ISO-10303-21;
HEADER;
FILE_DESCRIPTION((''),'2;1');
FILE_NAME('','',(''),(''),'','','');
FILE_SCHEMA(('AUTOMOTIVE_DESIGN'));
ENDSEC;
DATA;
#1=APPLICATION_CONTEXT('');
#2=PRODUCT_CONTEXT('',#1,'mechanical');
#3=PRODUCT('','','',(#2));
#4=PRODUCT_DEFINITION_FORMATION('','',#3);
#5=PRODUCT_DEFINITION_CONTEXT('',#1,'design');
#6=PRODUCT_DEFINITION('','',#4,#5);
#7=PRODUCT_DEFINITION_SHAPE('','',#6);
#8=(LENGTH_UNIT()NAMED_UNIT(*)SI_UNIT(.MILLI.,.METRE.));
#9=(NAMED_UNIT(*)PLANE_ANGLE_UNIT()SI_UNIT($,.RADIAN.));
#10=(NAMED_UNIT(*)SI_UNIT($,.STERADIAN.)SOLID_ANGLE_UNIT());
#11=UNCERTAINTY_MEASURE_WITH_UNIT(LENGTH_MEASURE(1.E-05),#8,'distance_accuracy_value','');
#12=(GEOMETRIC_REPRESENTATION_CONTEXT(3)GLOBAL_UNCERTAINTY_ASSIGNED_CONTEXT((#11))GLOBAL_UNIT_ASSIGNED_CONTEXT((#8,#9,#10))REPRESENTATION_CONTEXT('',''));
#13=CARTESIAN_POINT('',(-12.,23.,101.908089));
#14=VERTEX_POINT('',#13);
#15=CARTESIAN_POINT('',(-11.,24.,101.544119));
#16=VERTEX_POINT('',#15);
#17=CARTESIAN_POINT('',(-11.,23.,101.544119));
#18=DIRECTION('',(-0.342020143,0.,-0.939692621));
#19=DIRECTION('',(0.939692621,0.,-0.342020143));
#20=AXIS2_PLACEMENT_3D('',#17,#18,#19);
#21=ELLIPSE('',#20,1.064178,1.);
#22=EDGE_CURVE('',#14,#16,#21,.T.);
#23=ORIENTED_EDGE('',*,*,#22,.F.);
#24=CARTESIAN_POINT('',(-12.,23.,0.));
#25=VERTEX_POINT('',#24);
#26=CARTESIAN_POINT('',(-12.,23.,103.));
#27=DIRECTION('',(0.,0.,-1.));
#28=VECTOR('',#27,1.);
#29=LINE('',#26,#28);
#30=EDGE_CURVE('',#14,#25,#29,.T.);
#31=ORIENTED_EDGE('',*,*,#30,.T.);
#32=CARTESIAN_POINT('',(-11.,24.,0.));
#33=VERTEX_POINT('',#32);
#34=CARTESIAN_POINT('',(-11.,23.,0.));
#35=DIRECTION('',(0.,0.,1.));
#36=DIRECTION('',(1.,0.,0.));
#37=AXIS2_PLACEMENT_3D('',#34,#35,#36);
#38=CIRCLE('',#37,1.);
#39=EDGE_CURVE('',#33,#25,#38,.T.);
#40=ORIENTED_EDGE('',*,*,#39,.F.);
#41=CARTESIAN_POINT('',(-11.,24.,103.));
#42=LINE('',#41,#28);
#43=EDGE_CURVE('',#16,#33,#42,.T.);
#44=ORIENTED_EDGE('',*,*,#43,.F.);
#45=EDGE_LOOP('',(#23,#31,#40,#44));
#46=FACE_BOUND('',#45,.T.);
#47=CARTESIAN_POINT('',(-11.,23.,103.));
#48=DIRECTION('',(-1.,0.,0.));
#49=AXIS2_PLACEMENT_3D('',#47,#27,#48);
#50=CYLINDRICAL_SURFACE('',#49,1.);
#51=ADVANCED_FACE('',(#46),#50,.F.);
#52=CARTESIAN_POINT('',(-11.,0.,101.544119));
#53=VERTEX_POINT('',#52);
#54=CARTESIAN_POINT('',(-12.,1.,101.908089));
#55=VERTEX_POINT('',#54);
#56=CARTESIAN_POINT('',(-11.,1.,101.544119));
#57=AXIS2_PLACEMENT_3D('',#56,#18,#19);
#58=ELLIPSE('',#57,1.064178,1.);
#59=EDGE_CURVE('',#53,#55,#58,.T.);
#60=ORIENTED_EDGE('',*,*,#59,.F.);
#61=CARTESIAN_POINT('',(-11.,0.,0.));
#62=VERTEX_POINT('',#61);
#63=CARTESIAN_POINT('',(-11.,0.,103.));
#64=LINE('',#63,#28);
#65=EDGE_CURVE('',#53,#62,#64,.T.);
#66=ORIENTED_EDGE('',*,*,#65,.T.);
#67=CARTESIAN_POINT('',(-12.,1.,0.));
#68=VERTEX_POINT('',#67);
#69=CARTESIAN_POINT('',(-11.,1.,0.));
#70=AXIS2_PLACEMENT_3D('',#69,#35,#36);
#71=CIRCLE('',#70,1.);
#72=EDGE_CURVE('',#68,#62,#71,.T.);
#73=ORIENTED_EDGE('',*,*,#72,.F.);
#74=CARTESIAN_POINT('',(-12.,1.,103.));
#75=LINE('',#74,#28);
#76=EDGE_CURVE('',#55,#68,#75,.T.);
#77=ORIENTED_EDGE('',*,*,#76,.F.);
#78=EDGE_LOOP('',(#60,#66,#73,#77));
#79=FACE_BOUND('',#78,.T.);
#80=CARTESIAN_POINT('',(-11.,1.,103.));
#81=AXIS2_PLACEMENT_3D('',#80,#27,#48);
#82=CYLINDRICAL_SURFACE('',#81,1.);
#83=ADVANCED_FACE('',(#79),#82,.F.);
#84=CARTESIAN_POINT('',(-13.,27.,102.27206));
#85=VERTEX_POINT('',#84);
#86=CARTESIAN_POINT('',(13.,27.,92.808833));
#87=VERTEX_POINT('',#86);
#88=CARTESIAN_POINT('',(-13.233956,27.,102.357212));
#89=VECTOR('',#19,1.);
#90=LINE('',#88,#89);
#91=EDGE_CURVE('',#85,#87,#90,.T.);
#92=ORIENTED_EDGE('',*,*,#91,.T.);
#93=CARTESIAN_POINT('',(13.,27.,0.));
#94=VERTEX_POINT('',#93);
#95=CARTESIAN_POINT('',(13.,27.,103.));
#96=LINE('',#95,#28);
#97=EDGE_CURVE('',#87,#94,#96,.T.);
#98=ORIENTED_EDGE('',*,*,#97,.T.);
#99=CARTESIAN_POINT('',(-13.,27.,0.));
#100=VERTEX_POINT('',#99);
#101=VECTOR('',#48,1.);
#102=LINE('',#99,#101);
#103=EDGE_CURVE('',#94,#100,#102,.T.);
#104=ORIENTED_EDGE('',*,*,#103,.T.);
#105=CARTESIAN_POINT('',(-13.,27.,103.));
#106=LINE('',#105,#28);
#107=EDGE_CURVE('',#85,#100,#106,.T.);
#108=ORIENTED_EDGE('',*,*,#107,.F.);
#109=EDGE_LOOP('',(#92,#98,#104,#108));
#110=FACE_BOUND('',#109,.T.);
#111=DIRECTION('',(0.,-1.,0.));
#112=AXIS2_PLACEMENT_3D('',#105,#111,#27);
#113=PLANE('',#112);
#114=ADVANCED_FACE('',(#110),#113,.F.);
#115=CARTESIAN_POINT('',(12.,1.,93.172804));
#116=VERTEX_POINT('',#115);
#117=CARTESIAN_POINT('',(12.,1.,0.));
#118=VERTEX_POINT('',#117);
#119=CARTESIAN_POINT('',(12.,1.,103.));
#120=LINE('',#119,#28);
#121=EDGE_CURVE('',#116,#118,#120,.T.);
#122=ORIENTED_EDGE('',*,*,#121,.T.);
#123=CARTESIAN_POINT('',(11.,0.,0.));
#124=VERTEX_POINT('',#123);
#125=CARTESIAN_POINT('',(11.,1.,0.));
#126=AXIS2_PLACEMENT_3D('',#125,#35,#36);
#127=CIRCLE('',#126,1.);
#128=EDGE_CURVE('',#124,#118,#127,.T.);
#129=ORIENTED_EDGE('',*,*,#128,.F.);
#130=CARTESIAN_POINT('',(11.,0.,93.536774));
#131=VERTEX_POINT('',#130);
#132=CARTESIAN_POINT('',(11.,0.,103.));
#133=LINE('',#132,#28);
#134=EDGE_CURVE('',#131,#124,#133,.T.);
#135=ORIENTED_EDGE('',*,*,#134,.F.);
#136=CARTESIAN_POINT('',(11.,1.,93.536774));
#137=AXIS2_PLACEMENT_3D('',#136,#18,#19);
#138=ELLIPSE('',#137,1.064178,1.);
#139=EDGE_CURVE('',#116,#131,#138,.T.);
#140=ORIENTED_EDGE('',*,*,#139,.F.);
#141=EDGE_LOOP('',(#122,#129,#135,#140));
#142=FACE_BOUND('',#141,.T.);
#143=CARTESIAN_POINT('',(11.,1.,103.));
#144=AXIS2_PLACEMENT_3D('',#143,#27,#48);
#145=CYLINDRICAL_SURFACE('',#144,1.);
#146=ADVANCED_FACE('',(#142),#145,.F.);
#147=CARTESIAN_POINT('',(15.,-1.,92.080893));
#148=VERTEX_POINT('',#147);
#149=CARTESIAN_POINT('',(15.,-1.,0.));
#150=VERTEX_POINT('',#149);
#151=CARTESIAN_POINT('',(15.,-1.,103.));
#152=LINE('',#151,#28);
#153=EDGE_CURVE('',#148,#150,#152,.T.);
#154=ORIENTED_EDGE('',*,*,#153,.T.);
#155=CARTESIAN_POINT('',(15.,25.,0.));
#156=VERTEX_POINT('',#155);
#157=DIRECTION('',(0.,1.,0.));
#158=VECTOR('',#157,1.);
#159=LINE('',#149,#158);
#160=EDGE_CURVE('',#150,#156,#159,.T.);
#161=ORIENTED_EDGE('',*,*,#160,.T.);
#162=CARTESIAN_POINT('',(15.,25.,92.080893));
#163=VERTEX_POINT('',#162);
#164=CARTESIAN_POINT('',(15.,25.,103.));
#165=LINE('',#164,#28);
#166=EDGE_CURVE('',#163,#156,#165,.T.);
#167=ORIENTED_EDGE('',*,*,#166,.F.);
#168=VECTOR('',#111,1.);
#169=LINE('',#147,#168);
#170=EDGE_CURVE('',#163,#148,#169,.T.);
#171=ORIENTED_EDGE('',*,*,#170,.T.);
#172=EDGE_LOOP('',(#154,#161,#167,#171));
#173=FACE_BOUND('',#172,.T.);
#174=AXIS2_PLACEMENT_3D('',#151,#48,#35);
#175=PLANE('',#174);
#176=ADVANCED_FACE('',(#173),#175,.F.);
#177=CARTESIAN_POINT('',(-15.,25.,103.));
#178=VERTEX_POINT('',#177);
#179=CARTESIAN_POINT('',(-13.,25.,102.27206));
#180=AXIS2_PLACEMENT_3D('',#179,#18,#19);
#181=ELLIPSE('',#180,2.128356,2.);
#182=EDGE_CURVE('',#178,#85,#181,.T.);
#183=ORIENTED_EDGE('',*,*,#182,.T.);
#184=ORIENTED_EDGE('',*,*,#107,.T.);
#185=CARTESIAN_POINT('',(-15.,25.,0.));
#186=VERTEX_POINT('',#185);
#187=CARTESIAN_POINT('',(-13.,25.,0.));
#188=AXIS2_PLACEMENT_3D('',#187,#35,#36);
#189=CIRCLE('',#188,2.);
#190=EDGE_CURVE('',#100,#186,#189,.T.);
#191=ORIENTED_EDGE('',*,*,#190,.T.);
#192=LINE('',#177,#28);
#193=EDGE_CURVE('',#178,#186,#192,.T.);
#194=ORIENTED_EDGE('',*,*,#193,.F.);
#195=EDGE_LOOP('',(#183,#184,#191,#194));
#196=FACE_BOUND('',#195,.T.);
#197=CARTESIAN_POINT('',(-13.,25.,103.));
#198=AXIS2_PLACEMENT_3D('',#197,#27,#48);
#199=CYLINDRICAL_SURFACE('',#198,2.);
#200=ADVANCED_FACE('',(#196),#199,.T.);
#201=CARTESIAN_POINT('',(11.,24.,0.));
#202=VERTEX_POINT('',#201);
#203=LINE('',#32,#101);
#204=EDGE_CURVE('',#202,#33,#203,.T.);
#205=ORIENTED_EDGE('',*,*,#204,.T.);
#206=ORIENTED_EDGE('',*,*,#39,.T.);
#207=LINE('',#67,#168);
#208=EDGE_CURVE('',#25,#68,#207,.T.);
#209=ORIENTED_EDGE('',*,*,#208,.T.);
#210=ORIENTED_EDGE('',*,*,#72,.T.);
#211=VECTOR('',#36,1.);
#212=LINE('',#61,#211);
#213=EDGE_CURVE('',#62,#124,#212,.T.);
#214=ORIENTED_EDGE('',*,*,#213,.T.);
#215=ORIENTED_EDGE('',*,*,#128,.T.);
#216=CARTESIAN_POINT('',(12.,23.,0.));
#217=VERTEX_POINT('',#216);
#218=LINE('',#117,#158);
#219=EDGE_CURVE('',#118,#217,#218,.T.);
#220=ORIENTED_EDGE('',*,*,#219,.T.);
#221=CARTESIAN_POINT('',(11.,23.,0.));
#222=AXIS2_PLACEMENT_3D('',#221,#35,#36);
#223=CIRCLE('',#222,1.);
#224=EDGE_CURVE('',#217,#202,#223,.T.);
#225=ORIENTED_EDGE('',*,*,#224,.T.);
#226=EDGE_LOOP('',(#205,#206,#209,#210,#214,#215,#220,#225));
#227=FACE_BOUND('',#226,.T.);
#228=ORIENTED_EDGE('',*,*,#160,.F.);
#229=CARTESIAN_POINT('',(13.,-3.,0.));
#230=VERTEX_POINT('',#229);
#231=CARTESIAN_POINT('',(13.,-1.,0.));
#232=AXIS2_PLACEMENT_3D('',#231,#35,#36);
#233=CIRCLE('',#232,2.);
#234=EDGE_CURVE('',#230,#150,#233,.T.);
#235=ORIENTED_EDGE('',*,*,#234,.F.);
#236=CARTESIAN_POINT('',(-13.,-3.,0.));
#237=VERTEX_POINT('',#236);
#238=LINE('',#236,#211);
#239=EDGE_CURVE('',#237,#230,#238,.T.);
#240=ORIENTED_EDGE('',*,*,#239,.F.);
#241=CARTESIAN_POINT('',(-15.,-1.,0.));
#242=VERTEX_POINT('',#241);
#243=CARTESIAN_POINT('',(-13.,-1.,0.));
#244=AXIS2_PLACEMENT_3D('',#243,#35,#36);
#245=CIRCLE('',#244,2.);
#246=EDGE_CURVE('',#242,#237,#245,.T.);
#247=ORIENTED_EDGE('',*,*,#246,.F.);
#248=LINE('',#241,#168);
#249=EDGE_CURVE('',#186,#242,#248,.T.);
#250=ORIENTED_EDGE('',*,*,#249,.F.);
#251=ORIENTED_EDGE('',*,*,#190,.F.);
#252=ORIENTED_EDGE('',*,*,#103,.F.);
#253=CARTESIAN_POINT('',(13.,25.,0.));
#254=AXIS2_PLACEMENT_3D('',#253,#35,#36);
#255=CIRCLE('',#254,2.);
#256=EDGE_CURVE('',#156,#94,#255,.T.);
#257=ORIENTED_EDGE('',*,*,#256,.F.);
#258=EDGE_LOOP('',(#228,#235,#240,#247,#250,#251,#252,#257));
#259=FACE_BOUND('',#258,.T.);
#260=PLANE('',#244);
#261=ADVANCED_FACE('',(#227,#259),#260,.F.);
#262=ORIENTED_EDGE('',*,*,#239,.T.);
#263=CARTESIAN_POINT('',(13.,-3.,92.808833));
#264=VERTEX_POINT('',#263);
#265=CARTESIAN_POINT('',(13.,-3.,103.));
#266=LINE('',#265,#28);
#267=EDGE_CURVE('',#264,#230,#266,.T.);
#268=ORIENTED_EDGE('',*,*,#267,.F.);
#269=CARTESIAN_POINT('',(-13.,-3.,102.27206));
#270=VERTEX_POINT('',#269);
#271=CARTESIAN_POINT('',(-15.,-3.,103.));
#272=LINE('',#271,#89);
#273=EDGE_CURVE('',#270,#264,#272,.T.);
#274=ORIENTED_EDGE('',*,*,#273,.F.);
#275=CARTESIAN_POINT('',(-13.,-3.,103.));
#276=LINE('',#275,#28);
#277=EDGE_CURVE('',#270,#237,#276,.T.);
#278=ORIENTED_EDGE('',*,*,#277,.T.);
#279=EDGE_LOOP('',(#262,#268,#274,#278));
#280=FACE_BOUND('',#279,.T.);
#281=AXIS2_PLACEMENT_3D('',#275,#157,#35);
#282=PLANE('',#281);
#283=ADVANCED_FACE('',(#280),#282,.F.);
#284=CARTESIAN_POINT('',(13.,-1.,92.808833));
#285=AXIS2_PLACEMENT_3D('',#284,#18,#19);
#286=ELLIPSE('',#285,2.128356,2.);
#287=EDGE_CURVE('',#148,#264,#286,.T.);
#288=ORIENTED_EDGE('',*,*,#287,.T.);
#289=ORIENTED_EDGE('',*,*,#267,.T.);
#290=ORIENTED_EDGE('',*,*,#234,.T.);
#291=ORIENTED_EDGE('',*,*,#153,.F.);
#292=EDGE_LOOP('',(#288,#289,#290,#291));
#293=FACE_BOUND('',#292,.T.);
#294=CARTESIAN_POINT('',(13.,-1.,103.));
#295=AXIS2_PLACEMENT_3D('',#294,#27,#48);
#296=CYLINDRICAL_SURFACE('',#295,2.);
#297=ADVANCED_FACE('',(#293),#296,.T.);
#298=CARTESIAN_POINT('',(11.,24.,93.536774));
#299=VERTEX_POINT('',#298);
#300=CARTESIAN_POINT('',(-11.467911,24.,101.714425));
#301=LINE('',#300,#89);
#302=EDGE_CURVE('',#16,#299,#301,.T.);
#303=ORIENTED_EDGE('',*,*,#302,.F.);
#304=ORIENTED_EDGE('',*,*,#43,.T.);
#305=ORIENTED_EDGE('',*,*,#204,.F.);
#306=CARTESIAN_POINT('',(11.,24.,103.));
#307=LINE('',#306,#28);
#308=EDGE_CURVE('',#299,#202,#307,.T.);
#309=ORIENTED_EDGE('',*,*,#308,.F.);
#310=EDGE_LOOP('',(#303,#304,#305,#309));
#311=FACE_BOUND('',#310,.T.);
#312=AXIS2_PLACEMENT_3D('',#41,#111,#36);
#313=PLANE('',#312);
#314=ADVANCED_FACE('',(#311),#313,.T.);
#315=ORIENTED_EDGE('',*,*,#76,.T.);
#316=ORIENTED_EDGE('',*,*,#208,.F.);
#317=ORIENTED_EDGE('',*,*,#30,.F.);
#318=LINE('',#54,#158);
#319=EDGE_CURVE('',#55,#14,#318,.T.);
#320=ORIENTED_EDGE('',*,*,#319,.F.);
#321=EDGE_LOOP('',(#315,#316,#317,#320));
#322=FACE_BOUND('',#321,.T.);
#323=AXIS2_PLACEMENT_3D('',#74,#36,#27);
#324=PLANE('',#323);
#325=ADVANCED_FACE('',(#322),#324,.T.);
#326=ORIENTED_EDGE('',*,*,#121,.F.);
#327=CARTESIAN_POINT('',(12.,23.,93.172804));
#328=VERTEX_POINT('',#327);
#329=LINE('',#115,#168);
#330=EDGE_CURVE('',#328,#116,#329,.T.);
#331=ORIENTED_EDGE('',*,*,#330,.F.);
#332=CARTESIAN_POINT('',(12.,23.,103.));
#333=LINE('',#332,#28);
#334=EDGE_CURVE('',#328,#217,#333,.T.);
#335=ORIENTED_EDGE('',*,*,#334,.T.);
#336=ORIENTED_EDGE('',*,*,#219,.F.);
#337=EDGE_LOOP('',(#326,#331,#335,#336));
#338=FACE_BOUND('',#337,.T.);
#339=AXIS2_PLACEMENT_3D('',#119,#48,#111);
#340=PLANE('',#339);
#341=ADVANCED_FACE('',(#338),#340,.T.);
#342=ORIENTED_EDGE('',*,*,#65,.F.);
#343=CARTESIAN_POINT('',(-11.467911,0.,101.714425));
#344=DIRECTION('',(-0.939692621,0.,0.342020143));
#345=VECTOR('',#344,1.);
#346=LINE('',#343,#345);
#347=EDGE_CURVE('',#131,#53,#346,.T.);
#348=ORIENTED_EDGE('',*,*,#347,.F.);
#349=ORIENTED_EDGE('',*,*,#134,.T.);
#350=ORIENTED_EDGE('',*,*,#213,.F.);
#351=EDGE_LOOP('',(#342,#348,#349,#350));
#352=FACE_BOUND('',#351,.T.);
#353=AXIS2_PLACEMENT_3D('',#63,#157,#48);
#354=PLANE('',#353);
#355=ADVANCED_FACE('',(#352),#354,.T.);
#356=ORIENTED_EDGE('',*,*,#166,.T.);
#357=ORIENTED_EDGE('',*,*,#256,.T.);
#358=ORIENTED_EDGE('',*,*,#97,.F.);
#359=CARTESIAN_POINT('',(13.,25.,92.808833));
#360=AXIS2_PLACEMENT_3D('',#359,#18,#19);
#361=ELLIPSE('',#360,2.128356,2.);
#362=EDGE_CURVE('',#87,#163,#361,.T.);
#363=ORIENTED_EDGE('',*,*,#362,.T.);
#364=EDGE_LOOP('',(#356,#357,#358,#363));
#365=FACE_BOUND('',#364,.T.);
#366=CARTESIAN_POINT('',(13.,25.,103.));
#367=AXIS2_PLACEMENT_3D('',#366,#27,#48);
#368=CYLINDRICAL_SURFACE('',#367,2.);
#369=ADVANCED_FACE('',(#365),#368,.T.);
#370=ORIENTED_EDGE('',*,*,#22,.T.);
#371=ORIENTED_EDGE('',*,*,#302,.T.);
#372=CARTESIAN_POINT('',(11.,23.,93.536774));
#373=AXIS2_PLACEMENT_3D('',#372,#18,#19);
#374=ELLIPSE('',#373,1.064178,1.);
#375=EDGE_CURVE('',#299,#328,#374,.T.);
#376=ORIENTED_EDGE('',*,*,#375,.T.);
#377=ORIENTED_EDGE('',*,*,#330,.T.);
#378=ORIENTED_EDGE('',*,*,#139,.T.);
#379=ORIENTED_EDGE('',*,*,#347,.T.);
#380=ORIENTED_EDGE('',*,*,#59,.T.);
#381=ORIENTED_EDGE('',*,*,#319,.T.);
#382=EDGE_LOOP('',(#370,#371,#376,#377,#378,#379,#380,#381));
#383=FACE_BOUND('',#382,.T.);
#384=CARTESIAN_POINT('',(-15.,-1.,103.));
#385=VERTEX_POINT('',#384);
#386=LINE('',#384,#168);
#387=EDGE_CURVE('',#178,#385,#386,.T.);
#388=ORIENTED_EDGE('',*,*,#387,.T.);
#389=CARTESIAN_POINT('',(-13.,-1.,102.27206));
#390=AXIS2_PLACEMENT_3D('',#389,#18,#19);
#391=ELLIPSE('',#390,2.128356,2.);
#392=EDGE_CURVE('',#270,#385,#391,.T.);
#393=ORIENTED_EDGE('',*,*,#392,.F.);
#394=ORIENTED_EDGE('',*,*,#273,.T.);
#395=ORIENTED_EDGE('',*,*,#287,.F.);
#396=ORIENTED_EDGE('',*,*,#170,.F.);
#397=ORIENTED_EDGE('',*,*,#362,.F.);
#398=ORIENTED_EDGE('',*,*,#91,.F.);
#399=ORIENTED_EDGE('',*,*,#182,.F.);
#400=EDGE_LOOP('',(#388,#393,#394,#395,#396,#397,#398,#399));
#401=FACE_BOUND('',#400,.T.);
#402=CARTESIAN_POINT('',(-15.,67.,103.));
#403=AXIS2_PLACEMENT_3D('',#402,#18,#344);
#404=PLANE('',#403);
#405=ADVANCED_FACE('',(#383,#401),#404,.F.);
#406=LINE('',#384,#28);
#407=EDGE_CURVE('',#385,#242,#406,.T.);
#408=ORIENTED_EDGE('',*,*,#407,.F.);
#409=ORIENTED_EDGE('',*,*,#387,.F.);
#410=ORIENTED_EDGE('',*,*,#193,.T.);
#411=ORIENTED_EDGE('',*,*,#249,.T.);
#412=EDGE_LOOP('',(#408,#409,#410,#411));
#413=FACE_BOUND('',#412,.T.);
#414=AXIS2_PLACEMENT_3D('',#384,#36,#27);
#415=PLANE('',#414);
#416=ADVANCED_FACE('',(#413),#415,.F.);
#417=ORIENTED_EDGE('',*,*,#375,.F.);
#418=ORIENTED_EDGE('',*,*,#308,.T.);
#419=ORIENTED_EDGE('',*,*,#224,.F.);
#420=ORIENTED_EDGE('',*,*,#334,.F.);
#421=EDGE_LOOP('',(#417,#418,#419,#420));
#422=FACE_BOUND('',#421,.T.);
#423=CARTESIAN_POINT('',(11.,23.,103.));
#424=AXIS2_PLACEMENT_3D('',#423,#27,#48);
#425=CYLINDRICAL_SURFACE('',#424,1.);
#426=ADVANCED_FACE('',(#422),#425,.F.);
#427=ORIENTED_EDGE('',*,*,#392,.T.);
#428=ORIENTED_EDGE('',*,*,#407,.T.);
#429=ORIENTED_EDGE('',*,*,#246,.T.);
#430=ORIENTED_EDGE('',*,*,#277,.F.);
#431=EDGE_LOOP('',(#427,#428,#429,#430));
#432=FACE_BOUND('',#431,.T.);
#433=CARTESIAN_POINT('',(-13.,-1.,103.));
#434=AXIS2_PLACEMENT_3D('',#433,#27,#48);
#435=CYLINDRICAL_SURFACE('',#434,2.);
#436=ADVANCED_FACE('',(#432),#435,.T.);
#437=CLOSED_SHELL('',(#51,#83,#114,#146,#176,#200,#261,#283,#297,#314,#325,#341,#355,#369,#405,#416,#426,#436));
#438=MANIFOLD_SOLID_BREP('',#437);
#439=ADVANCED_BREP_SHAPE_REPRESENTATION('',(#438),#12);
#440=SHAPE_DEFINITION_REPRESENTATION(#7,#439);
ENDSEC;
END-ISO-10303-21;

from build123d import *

# Parameters (mm, degrees)
DODANIE_WYCI_GNI_CIE1_DEPTH = 103
WYTNIJ_WYCI_GNI_CIE1_DEPTH  = 70


with BuildPart() as part:
    # Szkic1 → Dodanie-wyciągnięcie1 (new body)
    with BuildSketch(Plane.XY):
        with BuildLine():
            Line((-13, -3), (13, -3))
            ThreePointArc((13, -3), (14.414213562, -2.414213562), (15, -1))
            Line((15, -1), (15, 25))
            ThreePointArc((15, 25), (14.414213562, 26.414213562), (13, 27))
            Line((13, 27), (-13, 27))
            ThreePointArc((-13, 27), (-14.414213562, 26.414213562), (-15, 25))
            Line((-15, 25), (-15, -1))
            ThreePointArc((-15, -1), (-14.414213562, -2.414213562), (-13, -3))
        make_face()
        with BuildLine():
            Line((-11, 0), (11, 0))
            ThreePointArc((11, 0), (11.707106781, 0.292893219), (12, 1))
            Line((12, 1), (12, 23))
            ThreePointArc((12, 23), (11.707106781, 23.707106781), (11, 24))
            Line((11, 24), (-11, 24))
            ThreePointArc((-11, 24), (-11.707106781, 23.707106781), (-12, 23))
            Line((-12, 23), (-12, 1))
            ThreePointArc((-12, 1), (-11.707106781, 0.292893219), (-11, 0))
        make_face(mode=Mode.SUBTRACT)
    extrude(amount=DODANIE_WYCI_GNI_CIE1_DEPTH)

    # Szkic2 → Wytnij-wyciągnięcie1 (cut)
    with BuildSketch(Plane.XZ.offset(3)):
        Polygon((-15, 103), (66.156264481, 73.461535405), (66.156264481, 103), align=None)
    extrude(amount=-WYTNIJ_WYCI_GNI_CIE1_DEPTH, mode=Mode.SUBTRACT)


solid = part.part
